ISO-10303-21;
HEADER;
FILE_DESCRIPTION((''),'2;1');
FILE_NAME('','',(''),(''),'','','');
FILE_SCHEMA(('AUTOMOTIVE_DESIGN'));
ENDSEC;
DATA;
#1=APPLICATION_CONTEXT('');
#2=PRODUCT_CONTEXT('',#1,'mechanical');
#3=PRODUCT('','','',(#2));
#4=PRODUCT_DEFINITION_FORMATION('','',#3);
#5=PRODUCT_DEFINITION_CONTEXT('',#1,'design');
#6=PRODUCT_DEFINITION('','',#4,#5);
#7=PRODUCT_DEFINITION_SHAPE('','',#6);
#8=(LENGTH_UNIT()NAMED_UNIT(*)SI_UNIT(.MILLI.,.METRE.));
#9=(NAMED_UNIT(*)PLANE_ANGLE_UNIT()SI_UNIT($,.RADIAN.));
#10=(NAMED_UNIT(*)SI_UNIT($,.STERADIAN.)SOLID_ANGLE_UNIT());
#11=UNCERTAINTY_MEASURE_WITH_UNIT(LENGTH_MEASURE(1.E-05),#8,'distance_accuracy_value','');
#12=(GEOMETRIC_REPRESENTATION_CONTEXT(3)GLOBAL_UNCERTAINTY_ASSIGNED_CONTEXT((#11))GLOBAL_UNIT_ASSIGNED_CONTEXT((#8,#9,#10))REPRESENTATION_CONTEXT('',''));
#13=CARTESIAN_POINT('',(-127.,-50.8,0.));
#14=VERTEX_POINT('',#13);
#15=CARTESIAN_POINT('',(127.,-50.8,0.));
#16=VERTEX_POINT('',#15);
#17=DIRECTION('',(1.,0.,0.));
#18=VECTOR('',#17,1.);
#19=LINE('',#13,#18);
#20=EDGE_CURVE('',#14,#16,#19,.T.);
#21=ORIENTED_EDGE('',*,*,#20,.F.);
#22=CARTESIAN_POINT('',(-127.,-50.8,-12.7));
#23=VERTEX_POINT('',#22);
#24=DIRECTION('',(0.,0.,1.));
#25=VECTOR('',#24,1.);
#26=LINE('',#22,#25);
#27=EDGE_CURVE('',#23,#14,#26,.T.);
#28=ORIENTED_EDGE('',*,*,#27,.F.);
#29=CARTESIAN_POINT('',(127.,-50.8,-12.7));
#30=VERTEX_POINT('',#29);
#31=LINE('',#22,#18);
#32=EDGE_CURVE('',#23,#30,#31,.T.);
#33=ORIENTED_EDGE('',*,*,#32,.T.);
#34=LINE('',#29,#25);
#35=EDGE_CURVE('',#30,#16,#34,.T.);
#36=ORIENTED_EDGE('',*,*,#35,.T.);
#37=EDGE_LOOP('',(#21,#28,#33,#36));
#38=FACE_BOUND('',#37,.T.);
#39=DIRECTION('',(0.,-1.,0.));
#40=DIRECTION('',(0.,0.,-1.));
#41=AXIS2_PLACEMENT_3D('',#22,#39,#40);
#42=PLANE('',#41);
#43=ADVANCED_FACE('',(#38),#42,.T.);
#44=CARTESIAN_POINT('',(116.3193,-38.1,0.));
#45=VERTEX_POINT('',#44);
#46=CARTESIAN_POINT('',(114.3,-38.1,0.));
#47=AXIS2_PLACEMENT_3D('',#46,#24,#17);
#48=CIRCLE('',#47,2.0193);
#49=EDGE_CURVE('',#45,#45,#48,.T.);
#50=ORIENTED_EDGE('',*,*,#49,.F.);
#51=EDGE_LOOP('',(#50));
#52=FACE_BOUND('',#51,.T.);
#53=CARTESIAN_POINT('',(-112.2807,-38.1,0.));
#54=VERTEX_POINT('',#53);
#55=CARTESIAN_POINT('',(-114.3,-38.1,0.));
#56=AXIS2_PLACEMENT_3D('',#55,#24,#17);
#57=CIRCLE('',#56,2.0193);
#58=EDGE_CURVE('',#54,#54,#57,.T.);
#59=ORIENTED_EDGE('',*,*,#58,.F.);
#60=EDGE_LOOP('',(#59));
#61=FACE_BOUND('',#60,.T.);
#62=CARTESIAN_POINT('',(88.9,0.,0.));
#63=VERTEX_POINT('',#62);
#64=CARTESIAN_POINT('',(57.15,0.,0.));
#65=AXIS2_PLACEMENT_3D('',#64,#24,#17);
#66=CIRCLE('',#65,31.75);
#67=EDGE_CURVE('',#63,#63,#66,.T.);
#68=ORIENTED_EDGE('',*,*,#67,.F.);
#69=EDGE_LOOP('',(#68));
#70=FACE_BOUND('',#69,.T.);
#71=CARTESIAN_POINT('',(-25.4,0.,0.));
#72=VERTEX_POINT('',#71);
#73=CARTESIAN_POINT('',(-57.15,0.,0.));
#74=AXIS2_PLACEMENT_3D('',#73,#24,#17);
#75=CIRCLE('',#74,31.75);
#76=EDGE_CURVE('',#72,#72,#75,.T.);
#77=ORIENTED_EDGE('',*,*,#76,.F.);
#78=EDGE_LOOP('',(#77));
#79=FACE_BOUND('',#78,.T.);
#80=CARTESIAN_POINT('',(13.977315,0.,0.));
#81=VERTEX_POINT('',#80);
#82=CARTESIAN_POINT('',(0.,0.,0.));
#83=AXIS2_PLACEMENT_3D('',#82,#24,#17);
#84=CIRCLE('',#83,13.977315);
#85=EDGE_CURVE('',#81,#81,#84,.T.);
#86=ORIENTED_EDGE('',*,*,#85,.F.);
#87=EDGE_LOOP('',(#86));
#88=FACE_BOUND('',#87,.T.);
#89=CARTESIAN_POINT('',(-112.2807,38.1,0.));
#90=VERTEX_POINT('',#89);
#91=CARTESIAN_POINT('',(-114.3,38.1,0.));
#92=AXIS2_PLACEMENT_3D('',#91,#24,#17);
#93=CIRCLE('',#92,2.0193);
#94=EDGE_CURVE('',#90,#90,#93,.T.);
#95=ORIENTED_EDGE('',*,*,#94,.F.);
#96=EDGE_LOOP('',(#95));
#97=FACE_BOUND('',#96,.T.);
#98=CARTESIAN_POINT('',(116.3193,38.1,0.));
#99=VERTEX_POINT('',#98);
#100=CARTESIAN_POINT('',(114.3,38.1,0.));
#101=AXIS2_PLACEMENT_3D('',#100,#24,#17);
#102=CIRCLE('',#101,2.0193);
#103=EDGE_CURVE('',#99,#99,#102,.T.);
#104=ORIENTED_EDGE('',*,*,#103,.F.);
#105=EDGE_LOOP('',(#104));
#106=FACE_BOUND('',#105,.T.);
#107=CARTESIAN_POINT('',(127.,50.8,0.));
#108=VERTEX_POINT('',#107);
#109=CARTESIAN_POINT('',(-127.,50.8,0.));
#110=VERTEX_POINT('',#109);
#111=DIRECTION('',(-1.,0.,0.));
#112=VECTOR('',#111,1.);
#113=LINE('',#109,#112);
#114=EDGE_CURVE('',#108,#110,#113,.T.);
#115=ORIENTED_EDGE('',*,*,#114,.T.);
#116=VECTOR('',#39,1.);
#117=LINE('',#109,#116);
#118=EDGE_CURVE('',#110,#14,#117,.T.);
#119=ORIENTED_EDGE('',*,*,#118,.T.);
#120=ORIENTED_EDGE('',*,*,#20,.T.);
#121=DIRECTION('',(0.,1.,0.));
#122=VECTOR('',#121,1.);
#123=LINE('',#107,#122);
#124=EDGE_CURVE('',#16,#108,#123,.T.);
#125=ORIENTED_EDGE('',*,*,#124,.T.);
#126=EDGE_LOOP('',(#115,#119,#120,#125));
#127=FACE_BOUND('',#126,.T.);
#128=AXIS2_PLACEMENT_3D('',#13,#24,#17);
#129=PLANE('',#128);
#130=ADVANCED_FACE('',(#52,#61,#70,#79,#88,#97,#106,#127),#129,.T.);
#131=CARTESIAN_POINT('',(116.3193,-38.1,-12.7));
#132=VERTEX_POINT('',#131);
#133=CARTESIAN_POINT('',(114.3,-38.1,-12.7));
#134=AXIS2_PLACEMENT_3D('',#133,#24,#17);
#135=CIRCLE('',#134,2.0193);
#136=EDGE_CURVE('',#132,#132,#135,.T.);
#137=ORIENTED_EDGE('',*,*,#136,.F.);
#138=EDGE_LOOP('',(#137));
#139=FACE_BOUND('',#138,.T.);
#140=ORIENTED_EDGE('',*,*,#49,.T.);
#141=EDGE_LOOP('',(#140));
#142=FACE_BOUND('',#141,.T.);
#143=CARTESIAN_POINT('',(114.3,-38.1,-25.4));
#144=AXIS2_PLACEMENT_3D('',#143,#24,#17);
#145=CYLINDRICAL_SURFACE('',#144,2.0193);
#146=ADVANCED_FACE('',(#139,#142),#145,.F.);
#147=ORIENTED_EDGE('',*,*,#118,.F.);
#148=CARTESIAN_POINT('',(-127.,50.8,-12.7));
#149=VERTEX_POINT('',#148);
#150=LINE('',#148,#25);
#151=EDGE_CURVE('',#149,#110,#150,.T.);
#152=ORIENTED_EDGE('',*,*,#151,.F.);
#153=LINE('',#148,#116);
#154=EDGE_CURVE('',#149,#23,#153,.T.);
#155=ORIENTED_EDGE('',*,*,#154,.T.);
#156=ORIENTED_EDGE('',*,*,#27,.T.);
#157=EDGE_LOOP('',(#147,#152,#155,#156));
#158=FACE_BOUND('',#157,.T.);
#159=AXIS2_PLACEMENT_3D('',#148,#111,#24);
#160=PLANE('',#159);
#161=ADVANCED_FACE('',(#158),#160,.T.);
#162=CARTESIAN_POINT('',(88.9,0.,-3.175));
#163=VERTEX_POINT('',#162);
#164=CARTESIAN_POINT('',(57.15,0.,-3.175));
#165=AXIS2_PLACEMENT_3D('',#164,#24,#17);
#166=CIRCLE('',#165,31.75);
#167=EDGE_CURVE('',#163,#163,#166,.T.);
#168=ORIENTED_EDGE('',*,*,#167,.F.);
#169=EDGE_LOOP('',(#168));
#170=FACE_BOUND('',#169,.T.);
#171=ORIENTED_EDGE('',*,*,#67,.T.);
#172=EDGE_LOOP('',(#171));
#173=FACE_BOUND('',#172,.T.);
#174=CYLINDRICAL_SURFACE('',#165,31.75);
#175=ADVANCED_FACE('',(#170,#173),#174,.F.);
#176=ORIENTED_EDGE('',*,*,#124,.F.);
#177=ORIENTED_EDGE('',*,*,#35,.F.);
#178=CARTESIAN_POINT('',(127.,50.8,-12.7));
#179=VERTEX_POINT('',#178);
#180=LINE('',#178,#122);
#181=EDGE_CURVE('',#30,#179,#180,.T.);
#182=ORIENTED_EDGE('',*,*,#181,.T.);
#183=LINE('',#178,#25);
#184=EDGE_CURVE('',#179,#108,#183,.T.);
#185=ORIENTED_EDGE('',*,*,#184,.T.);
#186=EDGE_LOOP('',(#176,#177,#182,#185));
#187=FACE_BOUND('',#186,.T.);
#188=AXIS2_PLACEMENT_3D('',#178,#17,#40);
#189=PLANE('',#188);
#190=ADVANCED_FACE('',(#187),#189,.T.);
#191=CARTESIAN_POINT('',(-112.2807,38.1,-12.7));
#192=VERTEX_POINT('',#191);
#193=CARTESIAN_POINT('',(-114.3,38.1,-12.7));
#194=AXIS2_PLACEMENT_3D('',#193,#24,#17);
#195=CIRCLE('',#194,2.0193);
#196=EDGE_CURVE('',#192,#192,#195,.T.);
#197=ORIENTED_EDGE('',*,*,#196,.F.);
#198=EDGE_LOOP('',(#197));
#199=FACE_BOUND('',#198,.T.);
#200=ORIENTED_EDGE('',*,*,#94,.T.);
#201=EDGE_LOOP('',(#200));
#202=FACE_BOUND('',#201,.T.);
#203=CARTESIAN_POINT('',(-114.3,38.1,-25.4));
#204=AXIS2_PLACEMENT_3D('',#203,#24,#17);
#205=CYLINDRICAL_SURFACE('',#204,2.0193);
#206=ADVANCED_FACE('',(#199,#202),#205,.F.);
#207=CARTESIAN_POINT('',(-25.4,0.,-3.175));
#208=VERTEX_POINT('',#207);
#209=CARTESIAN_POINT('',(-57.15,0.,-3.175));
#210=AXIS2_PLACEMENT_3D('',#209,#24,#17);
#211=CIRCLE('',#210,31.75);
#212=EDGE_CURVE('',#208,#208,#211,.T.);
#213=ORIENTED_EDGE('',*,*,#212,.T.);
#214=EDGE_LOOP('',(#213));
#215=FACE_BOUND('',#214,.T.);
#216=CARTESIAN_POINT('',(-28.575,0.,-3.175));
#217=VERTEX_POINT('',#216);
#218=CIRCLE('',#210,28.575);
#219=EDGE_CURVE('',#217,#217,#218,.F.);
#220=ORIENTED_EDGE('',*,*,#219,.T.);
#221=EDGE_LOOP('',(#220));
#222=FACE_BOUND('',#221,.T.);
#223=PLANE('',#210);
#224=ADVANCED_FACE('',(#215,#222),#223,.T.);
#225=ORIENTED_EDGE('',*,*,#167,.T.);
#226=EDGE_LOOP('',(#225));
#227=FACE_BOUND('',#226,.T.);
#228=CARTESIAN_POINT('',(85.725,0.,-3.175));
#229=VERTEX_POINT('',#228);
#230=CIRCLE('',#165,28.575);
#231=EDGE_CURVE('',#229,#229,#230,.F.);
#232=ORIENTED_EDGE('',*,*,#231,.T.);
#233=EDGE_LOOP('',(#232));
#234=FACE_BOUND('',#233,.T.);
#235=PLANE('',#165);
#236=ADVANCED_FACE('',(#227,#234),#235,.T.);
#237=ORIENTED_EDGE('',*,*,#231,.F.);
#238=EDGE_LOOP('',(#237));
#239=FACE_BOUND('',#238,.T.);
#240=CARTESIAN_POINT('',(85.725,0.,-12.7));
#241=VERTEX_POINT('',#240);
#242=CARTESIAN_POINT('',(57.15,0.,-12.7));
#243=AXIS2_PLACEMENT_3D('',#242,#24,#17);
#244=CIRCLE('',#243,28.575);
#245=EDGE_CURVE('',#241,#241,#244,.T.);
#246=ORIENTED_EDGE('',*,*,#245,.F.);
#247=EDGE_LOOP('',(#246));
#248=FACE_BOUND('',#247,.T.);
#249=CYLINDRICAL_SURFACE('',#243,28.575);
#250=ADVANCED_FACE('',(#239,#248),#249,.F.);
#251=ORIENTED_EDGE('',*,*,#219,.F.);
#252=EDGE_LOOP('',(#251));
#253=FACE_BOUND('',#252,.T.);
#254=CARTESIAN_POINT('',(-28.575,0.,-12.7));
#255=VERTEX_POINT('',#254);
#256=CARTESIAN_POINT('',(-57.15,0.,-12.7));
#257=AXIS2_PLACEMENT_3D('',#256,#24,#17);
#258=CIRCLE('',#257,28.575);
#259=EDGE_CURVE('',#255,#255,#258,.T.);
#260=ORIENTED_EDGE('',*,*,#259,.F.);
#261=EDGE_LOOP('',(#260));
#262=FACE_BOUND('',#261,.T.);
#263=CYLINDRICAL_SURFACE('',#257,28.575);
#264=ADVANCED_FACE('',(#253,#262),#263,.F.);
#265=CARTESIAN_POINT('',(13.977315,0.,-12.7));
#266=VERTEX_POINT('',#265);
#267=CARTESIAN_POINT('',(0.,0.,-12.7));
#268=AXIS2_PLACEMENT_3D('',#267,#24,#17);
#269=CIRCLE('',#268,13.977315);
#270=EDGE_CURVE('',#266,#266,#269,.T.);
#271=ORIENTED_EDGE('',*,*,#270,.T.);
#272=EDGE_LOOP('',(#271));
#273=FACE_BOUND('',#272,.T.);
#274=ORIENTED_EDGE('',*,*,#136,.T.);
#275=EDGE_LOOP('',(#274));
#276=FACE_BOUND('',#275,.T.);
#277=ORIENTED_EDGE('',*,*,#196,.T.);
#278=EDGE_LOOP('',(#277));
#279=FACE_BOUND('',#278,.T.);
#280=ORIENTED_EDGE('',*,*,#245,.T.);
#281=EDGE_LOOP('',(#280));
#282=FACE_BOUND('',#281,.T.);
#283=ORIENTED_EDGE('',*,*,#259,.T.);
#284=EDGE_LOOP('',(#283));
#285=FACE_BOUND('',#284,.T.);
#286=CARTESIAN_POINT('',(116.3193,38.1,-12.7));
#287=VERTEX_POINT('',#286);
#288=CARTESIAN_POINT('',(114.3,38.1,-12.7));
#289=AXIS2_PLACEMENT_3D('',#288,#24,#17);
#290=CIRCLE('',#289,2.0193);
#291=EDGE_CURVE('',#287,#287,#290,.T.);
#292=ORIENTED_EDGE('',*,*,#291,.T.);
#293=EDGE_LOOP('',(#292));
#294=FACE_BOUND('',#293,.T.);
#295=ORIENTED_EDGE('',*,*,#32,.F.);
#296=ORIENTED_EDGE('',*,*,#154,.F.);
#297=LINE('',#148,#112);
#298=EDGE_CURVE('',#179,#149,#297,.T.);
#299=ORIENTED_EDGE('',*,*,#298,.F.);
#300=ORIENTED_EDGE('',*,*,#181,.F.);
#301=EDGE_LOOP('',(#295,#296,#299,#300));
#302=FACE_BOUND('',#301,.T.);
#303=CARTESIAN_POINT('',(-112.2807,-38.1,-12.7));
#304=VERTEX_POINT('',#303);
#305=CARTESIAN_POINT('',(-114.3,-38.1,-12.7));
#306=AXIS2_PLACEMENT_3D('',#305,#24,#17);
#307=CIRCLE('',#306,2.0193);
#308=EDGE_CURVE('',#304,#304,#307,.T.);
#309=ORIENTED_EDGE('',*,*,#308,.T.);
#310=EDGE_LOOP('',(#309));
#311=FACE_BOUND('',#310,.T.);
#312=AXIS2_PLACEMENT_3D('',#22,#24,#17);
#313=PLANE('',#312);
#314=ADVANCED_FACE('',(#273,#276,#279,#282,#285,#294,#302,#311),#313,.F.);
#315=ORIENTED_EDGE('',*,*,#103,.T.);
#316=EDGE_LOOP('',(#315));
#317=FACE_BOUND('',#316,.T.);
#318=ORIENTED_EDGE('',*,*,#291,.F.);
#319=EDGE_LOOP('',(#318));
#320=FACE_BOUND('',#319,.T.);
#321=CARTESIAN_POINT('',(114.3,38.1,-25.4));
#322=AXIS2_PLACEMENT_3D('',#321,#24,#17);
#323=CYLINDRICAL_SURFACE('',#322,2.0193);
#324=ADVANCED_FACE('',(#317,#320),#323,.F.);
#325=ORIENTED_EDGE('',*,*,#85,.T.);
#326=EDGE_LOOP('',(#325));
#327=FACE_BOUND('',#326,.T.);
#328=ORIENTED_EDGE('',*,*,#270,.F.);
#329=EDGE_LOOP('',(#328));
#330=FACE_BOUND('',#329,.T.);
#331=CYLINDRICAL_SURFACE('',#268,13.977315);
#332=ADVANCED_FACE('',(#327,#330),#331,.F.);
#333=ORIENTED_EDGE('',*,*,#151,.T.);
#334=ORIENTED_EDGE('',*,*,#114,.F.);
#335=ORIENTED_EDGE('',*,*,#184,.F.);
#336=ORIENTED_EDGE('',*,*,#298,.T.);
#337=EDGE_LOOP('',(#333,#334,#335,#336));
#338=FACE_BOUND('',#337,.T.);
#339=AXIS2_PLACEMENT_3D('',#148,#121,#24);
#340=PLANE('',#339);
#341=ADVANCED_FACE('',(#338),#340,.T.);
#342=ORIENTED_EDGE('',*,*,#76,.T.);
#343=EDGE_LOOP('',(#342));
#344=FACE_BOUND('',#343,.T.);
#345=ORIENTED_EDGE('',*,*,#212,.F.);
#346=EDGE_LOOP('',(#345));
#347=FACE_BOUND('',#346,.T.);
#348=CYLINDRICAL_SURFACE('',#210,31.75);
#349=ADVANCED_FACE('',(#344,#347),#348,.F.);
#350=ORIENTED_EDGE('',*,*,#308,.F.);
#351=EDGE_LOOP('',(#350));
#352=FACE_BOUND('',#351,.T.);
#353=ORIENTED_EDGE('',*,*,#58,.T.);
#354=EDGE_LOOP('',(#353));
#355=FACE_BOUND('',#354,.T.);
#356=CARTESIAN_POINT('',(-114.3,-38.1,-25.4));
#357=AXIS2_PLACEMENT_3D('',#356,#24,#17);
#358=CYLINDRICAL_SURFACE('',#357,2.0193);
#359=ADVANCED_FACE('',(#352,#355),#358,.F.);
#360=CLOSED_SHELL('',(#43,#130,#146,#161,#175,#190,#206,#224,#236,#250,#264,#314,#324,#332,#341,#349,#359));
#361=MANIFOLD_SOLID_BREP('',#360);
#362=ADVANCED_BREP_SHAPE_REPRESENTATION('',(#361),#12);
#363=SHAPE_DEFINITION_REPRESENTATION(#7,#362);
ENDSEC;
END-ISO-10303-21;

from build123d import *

# Parameters (mm, degrees)
SKETCH4_W          = 254
SKETCH4_H          = 101.6
BASE_EXTRUDE_DEPTH = 12.7
SKETCH5_R          = 28.575
SKETCH5_R_2        = 13.977315316
CUT_EXTRUDE1_DEPTH = 12.7
SKETCH6_R          = 31.75
CUT_EXTRUDE2_DEPTH = 3.175
SKETCH7_R          = 2.0193
CUT_EXTRUDE3_DEPTH = 25.4


with BuildPart() as part:
    # Sketch4 → Base-Extrude (new body)
    with BuildSketch(Plane.XY):
        Rectangle(SKETCH4_W, SKETCH4_H)
    extrude(amount=-BASE_EXTRUDE_DEPTH)

    # Sketch5 → Cut-Extrude1 (cut)
    with BuildSketch(Plane.XY):
        with Locations((-57.15, 0)):
            Circle(SKETCH5_R)
        with Locations((57.15, 0)):
            Circle(SKETCH5_R)
        Circle(SKETCH5_R_2)
    extrude(amount=-CUT_EXTRUDE1_DEPTH, mode=Mode.SUBTRACT)

    # Sketch6 → Cut-Extrude2 (cut)
    with BuildSketch(Plane.XY):
        with Locations((-57.15, 0)):
            Circle(SKETCH6_R)
        with Locations((57.15, 0)):
            Circle(SKETCH6_R)
    extrude(amount=-CUT_EXTRUDE2_DEPTH, mode=Mode.SUBTRACT)

    # Sketch7 → Cut-Extrude3 (cut)
    with BuildSketch(Plane.XY):
        with Locations((-114.3, -38.1)):
            Circle(SKETCH7_R)
        with Locations((-114.3, 38.1)):
            Circle(SKETCH7_R)
        with Locations((114.3, -38.1)):
            Circle(SKETCH7_R)
        with Locations((114.3, 38.1)):
            Circle(SKETCH7_R)
    extrude(amount=-CUT_EXTRUDE3_DEPTH, mode=Mode.SUBTRACT)


solid = part.part
